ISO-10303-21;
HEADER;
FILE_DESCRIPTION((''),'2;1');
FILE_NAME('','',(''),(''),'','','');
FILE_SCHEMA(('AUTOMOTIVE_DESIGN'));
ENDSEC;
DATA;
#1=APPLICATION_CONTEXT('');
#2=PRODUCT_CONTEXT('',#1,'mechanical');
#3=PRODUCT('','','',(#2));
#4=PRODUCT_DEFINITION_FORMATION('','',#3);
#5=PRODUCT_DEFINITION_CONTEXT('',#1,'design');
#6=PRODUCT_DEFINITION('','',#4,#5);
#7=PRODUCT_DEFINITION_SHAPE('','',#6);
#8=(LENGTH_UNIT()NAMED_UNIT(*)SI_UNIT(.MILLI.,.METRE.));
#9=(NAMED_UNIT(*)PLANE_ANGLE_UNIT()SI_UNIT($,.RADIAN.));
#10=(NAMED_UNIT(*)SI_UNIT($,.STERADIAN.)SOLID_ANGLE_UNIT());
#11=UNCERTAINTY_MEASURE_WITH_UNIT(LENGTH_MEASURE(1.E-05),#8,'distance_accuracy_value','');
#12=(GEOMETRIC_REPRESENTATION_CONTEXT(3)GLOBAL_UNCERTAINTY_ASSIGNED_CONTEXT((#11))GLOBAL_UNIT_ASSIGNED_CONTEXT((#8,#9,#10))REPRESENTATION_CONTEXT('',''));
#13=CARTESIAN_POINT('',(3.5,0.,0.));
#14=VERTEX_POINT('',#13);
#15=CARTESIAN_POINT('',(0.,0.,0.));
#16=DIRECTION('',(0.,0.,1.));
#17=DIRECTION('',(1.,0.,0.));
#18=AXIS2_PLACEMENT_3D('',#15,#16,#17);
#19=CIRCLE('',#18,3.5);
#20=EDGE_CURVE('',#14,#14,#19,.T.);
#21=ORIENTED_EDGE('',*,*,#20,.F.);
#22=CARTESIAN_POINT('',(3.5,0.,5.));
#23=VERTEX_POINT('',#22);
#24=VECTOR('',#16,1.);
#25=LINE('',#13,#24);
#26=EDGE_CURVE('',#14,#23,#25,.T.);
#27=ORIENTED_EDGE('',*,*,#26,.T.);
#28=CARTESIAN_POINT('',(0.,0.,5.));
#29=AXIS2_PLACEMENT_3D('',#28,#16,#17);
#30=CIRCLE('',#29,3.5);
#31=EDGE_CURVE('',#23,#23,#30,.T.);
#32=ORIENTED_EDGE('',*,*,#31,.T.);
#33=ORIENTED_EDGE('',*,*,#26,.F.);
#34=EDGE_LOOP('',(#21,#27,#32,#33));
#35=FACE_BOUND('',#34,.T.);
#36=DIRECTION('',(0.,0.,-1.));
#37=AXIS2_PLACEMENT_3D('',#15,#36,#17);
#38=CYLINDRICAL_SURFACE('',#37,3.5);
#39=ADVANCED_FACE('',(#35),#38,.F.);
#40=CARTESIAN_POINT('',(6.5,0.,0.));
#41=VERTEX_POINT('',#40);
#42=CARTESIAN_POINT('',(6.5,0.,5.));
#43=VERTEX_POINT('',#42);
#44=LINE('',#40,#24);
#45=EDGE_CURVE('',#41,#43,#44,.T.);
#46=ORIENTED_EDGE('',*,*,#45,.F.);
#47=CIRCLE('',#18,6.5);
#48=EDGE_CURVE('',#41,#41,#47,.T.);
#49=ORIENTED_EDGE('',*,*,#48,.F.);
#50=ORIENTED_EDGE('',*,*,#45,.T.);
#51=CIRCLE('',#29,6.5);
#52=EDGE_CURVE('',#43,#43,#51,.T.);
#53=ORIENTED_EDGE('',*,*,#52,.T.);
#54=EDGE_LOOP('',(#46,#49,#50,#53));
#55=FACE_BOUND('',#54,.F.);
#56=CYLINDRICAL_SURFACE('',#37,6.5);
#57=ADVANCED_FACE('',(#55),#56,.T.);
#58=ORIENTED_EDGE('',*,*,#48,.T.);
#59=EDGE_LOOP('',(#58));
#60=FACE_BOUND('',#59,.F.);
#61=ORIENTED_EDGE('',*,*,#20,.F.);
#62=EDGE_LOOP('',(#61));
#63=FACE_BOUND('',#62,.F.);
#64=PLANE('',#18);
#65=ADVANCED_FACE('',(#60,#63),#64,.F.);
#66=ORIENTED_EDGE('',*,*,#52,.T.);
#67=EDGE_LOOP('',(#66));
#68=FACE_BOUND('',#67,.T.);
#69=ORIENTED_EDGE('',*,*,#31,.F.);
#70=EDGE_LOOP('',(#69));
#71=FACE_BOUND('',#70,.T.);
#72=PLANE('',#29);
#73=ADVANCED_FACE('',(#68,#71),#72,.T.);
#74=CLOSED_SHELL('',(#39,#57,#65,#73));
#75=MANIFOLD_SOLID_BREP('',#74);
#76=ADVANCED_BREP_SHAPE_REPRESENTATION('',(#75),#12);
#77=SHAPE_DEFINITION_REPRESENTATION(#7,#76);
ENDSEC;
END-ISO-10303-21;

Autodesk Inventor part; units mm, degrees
ref_plane "YZ Plane" through (0, 0, 0) normal (1, 0, 0) x (0, 1, 0)
ref_plane "XZ Plane" through (0, 0, 0) normal (0, 1, 0) x (-1, 0, 0)
ref_plane "XY Plane" through (0, 0, 0) normal (0, 0, 1) x (1, 0, 0)
sketch "Sketch1" plane through (0, 0, 0) normal (0, 0, 1) x (1, 0, 0)
  circle A0 centre (0, 0) radius 3.5
  circle A1 centre (0, 0) radius 6.5
  dimension "d0" = 7
  dimension "d1" = 13
extrude "Extrusion1" add sketch "Sketch1" along normal blind 5
properties part number "base_bolt_bearing"
